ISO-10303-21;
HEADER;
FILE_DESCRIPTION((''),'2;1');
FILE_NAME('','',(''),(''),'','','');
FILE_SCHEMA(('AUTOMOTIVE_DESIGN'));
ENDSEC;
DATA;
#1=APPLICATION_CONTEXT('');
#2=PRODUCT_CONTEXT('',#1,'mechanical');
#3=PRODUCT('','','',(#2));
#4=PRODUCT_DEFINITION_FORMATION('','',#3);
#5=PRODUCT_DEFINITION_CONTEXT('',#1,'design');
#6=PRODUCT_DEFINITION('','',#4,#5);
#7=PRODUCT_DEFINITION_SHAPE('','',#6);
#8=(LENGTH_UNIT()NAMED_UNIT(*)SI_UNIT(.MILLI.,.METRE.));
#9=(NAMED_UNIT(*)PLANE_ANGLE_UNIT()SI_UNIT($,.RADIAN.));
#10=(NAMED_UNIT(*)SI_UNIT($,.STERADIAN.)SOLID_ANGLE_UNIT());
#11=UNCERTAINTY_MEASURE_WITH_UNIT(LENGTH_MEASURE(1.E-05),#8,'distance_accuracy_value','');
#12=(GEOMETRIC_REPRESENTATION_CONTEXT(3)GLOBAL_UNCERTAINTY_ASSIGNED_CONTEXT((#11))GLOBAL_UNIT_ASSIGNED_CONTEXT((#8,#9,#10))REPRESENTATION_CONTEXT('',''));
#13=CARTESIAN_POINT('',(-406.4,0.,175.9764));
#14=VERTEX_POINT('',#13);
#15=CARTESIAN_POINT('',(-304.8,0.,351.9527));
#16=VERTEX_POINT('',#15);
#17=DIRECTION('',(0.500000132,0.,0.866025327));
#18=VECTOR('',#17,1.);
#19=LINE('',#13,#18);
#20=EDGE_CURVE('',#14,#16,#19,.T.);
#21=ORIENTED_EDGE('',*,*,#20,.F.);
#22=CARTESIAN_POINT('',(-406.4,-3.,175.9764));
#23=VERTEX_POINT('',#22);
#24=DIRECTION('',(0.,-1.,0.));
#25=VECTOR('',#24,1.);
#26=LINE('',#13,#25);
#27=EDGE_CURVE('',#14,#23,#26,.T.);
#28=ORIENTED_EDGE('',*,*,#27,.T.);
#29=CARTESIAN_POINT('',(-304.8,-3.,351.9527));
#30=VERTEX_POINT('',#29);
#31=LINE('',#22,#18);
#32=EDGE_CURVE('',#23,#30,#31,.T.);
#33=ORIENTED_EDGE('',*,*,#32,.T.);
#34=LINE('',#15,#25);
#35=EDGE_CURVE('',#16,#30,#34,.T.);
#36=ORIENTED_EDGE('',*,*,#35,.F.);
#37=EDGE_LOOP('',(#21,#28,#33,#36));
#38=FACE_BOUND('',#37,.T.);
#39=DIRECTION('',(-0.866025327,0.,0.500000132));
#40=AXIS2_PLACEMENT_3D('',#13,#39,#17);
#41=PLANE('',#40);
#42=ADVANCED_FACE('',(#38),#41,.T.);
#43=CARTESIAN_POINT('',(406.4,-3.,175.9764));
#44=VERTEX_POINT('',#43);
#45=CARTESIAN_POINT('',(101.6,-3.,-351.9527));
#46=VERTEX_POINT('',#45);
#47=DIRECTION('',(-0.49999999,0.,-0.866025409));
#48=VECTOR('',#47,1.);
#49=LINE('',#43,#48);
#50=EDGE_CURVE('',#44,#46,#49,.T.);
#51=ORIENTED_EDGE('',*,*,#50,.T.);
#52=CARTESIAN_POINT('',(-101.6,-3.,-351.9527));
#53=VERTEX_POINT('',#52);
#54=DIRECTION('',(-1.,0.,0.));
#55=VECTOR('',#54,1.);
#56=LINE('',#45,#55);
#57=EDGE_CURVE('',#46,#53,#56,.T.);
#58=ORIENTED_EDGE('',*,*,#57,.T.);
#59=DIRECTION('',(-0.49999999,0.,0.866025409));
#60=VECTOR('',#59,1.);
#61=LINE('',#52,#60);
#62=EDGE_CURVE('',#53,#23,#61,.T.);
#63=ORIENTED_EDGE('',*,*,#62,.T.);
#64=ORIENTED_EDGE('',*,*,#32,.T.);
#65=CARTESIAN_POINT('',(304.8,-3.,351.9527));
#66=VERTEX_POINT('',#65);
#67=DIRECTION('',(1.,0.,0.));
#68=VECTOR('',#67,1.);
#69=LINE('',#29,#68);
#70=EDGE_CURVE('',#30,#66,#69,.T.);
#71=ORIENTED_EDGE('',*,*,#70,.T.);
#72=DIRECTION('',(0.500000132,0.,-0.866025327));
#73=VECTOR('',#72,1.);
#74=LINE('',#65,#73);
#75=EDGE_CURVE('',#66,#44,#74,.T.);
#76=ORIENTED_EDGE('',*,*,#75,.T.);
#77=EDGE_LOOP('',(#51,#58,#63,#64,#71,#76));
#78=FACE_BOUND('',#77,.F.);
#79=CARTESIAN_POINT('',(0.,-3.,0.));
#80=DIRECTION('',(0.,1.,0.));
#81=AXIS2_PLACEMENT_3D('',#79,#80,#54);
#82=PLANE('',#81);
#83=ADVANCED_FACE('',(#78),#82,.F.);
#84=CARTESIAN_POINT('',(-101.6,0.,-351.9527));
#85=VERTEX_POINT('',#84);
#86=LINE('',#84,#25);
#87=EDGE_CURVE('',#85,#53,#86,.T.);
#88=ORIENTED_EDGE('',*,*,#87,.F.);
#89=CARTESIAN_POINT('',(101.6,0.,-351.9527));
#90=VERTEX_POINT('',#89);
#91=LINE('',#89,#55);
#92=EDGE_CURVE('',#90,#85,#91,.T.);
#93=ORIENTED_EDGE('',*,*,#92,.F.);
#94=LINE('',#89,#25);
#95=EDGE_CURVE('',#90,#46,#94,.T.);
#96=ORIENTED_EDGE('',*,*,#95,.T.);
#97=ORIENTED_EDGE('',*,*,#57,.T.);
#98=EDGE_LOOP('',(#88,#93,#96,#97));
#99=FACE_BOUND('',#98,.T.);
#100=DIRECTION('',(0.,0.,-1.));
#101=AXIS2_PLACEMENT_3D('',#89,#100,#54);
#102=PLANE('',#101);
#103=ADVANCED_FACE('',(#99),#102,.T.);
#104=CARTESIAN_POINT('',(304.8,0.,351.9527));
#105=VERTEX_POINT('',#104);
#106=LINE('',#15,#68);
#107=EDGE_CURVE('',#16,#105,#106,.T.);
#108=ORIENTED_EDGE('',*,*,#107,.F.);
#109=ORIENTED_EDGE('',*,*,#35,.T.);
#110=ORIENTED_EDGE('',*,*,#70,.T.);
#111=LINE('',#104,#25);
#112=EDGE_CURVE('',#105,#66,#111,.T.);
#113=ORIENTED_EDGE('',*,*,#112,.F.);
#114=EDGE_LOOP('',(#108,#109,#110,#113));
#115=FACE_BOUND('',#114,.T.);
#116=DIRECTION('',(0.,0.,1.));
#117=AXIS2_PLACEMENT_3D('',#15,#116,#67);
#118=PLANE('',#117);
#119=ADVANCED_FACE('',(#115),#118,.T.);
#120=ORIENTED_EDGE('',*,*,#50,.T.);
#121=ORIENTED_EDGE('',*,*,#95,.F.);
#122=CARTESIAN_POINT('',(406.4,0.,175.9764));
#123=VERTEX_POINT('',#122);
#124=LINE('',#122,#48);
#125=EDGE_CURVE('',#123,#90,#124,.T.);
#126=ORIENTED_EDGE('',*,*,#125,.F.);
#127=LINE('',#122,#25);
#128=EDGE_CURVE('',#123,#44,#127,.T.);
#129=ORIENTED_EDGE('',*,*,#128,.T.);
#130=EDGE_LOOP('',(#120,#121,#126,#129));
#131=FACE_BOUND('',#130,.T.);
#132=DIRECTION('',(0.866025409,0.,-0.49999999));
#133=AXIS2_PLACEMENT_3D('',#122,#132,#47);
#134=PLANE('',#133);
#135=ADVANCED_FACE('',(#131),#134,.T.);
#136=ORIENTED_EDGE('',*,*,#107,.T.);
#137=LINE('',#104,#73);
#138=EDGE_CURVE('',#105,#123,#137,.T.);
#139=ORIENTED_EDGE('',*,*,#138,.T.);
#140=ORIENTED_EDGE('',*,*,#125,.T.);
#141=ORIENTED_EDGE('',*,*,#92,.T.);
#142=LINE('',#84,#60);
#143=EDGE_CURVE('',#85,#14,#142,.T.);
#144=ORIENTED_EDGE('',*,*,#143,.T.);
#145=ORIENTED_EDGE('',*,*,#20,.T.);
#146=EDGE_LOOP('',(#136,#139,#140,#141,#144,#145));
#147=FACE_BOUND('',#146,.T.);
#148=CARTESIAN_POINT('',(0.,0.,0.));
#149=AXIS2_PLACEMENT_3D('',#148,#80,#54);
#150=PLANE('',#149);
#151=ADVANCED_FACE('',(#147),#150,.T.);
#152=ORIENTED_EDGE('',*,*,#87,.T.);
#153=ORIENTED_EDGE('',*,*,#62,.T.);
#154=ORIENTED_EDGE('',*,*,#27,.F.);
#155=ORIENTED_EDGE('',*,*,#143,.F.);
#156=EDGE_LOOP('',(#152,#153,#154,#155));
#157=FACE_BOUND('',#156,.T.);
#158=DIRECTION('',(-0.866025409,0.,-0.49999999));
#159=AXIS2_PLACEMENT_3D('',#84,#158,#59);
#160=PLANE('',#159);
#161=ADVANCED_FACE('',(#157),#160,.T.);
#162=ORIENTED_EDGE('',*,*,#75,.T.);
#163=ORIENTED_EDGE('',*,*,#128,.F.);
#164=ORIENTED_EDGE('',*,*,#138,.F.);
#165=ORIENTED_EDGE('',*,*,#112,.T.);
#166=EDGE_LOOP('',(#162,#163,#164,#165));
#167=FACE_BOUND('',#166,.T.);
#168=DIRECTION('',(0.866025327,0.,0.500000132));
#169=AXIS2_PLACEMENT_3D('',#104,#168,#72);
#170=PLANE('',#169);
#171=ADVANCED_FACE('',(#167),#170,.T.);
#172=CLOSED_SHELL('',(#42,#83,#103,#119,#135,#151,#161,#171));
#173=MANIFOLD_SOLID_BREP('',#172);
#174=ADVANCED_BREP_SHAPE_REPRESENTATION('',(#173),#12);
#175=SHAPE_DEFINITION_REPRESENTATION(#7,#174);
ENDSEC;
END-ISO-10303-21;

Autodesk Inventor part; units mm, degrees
ref_plane "YZ Plane" through (0, 0, 0) normal (1, 0, 0) x (0, 1, 0)
ref_plane "XZ Plane" through (0, 0, 0) normal (0, 1, 0) x (-1, 0, 0)
ref_plane "XY Plane" through (0, 0, 0) normal (0, 0, 1) x (1, 0, 0)
sketch "Sketch1" plane through (0, 0, 0) normal (0, 1, 0) x (-1, 0, 0)
  line L0 (304.8, 351.9527) -> (-304.8, 351.9527)
  line L1 (-304.8, 351.9527) -> (-406.4, 175.9764)
  line L2 (-406.4, 175.9764) -> (-101.6, -351.9527)
  line L3 (-101.6, -351.9527) -> (101.6, -351.9527)
  line L4 (101.6, -351.9527) -> (406.4, 175.9764)
  line L5 (406.4, 175.9764) -> (304.8, 351.9527)
  line L6 (-254, -87.9882) -> (0, 58.6588) construction
  line L7 (254, -87.9882) -> (0, 58.6588) construction
  line L8 (0, 351.9527) -> (0, 58.6588) construction
  point P0 (-355.6, 263.9645)
  dimension "d0" = 609.6
  dimension "d1" = 203.2
  dimension "d2" = 120
  dimension "d3" = 609.6
  dimension "d4" = 120
  dimension "d5" = 203.2
  dimension "d6" = 240
  dimension "d7" = 609.6
  dimension "d8" = 120
  dimension "d9" = 203.2
  dimension "d10" = 120
  dimension "d16" = 293.2939
  dimension "d17" = 120
  dimension "d18" = 120
  dimension "d19" = 120
extrude "Extrusion1" add sketch "Sketch1" against normal blind 3
properties part number "Top Plate"
